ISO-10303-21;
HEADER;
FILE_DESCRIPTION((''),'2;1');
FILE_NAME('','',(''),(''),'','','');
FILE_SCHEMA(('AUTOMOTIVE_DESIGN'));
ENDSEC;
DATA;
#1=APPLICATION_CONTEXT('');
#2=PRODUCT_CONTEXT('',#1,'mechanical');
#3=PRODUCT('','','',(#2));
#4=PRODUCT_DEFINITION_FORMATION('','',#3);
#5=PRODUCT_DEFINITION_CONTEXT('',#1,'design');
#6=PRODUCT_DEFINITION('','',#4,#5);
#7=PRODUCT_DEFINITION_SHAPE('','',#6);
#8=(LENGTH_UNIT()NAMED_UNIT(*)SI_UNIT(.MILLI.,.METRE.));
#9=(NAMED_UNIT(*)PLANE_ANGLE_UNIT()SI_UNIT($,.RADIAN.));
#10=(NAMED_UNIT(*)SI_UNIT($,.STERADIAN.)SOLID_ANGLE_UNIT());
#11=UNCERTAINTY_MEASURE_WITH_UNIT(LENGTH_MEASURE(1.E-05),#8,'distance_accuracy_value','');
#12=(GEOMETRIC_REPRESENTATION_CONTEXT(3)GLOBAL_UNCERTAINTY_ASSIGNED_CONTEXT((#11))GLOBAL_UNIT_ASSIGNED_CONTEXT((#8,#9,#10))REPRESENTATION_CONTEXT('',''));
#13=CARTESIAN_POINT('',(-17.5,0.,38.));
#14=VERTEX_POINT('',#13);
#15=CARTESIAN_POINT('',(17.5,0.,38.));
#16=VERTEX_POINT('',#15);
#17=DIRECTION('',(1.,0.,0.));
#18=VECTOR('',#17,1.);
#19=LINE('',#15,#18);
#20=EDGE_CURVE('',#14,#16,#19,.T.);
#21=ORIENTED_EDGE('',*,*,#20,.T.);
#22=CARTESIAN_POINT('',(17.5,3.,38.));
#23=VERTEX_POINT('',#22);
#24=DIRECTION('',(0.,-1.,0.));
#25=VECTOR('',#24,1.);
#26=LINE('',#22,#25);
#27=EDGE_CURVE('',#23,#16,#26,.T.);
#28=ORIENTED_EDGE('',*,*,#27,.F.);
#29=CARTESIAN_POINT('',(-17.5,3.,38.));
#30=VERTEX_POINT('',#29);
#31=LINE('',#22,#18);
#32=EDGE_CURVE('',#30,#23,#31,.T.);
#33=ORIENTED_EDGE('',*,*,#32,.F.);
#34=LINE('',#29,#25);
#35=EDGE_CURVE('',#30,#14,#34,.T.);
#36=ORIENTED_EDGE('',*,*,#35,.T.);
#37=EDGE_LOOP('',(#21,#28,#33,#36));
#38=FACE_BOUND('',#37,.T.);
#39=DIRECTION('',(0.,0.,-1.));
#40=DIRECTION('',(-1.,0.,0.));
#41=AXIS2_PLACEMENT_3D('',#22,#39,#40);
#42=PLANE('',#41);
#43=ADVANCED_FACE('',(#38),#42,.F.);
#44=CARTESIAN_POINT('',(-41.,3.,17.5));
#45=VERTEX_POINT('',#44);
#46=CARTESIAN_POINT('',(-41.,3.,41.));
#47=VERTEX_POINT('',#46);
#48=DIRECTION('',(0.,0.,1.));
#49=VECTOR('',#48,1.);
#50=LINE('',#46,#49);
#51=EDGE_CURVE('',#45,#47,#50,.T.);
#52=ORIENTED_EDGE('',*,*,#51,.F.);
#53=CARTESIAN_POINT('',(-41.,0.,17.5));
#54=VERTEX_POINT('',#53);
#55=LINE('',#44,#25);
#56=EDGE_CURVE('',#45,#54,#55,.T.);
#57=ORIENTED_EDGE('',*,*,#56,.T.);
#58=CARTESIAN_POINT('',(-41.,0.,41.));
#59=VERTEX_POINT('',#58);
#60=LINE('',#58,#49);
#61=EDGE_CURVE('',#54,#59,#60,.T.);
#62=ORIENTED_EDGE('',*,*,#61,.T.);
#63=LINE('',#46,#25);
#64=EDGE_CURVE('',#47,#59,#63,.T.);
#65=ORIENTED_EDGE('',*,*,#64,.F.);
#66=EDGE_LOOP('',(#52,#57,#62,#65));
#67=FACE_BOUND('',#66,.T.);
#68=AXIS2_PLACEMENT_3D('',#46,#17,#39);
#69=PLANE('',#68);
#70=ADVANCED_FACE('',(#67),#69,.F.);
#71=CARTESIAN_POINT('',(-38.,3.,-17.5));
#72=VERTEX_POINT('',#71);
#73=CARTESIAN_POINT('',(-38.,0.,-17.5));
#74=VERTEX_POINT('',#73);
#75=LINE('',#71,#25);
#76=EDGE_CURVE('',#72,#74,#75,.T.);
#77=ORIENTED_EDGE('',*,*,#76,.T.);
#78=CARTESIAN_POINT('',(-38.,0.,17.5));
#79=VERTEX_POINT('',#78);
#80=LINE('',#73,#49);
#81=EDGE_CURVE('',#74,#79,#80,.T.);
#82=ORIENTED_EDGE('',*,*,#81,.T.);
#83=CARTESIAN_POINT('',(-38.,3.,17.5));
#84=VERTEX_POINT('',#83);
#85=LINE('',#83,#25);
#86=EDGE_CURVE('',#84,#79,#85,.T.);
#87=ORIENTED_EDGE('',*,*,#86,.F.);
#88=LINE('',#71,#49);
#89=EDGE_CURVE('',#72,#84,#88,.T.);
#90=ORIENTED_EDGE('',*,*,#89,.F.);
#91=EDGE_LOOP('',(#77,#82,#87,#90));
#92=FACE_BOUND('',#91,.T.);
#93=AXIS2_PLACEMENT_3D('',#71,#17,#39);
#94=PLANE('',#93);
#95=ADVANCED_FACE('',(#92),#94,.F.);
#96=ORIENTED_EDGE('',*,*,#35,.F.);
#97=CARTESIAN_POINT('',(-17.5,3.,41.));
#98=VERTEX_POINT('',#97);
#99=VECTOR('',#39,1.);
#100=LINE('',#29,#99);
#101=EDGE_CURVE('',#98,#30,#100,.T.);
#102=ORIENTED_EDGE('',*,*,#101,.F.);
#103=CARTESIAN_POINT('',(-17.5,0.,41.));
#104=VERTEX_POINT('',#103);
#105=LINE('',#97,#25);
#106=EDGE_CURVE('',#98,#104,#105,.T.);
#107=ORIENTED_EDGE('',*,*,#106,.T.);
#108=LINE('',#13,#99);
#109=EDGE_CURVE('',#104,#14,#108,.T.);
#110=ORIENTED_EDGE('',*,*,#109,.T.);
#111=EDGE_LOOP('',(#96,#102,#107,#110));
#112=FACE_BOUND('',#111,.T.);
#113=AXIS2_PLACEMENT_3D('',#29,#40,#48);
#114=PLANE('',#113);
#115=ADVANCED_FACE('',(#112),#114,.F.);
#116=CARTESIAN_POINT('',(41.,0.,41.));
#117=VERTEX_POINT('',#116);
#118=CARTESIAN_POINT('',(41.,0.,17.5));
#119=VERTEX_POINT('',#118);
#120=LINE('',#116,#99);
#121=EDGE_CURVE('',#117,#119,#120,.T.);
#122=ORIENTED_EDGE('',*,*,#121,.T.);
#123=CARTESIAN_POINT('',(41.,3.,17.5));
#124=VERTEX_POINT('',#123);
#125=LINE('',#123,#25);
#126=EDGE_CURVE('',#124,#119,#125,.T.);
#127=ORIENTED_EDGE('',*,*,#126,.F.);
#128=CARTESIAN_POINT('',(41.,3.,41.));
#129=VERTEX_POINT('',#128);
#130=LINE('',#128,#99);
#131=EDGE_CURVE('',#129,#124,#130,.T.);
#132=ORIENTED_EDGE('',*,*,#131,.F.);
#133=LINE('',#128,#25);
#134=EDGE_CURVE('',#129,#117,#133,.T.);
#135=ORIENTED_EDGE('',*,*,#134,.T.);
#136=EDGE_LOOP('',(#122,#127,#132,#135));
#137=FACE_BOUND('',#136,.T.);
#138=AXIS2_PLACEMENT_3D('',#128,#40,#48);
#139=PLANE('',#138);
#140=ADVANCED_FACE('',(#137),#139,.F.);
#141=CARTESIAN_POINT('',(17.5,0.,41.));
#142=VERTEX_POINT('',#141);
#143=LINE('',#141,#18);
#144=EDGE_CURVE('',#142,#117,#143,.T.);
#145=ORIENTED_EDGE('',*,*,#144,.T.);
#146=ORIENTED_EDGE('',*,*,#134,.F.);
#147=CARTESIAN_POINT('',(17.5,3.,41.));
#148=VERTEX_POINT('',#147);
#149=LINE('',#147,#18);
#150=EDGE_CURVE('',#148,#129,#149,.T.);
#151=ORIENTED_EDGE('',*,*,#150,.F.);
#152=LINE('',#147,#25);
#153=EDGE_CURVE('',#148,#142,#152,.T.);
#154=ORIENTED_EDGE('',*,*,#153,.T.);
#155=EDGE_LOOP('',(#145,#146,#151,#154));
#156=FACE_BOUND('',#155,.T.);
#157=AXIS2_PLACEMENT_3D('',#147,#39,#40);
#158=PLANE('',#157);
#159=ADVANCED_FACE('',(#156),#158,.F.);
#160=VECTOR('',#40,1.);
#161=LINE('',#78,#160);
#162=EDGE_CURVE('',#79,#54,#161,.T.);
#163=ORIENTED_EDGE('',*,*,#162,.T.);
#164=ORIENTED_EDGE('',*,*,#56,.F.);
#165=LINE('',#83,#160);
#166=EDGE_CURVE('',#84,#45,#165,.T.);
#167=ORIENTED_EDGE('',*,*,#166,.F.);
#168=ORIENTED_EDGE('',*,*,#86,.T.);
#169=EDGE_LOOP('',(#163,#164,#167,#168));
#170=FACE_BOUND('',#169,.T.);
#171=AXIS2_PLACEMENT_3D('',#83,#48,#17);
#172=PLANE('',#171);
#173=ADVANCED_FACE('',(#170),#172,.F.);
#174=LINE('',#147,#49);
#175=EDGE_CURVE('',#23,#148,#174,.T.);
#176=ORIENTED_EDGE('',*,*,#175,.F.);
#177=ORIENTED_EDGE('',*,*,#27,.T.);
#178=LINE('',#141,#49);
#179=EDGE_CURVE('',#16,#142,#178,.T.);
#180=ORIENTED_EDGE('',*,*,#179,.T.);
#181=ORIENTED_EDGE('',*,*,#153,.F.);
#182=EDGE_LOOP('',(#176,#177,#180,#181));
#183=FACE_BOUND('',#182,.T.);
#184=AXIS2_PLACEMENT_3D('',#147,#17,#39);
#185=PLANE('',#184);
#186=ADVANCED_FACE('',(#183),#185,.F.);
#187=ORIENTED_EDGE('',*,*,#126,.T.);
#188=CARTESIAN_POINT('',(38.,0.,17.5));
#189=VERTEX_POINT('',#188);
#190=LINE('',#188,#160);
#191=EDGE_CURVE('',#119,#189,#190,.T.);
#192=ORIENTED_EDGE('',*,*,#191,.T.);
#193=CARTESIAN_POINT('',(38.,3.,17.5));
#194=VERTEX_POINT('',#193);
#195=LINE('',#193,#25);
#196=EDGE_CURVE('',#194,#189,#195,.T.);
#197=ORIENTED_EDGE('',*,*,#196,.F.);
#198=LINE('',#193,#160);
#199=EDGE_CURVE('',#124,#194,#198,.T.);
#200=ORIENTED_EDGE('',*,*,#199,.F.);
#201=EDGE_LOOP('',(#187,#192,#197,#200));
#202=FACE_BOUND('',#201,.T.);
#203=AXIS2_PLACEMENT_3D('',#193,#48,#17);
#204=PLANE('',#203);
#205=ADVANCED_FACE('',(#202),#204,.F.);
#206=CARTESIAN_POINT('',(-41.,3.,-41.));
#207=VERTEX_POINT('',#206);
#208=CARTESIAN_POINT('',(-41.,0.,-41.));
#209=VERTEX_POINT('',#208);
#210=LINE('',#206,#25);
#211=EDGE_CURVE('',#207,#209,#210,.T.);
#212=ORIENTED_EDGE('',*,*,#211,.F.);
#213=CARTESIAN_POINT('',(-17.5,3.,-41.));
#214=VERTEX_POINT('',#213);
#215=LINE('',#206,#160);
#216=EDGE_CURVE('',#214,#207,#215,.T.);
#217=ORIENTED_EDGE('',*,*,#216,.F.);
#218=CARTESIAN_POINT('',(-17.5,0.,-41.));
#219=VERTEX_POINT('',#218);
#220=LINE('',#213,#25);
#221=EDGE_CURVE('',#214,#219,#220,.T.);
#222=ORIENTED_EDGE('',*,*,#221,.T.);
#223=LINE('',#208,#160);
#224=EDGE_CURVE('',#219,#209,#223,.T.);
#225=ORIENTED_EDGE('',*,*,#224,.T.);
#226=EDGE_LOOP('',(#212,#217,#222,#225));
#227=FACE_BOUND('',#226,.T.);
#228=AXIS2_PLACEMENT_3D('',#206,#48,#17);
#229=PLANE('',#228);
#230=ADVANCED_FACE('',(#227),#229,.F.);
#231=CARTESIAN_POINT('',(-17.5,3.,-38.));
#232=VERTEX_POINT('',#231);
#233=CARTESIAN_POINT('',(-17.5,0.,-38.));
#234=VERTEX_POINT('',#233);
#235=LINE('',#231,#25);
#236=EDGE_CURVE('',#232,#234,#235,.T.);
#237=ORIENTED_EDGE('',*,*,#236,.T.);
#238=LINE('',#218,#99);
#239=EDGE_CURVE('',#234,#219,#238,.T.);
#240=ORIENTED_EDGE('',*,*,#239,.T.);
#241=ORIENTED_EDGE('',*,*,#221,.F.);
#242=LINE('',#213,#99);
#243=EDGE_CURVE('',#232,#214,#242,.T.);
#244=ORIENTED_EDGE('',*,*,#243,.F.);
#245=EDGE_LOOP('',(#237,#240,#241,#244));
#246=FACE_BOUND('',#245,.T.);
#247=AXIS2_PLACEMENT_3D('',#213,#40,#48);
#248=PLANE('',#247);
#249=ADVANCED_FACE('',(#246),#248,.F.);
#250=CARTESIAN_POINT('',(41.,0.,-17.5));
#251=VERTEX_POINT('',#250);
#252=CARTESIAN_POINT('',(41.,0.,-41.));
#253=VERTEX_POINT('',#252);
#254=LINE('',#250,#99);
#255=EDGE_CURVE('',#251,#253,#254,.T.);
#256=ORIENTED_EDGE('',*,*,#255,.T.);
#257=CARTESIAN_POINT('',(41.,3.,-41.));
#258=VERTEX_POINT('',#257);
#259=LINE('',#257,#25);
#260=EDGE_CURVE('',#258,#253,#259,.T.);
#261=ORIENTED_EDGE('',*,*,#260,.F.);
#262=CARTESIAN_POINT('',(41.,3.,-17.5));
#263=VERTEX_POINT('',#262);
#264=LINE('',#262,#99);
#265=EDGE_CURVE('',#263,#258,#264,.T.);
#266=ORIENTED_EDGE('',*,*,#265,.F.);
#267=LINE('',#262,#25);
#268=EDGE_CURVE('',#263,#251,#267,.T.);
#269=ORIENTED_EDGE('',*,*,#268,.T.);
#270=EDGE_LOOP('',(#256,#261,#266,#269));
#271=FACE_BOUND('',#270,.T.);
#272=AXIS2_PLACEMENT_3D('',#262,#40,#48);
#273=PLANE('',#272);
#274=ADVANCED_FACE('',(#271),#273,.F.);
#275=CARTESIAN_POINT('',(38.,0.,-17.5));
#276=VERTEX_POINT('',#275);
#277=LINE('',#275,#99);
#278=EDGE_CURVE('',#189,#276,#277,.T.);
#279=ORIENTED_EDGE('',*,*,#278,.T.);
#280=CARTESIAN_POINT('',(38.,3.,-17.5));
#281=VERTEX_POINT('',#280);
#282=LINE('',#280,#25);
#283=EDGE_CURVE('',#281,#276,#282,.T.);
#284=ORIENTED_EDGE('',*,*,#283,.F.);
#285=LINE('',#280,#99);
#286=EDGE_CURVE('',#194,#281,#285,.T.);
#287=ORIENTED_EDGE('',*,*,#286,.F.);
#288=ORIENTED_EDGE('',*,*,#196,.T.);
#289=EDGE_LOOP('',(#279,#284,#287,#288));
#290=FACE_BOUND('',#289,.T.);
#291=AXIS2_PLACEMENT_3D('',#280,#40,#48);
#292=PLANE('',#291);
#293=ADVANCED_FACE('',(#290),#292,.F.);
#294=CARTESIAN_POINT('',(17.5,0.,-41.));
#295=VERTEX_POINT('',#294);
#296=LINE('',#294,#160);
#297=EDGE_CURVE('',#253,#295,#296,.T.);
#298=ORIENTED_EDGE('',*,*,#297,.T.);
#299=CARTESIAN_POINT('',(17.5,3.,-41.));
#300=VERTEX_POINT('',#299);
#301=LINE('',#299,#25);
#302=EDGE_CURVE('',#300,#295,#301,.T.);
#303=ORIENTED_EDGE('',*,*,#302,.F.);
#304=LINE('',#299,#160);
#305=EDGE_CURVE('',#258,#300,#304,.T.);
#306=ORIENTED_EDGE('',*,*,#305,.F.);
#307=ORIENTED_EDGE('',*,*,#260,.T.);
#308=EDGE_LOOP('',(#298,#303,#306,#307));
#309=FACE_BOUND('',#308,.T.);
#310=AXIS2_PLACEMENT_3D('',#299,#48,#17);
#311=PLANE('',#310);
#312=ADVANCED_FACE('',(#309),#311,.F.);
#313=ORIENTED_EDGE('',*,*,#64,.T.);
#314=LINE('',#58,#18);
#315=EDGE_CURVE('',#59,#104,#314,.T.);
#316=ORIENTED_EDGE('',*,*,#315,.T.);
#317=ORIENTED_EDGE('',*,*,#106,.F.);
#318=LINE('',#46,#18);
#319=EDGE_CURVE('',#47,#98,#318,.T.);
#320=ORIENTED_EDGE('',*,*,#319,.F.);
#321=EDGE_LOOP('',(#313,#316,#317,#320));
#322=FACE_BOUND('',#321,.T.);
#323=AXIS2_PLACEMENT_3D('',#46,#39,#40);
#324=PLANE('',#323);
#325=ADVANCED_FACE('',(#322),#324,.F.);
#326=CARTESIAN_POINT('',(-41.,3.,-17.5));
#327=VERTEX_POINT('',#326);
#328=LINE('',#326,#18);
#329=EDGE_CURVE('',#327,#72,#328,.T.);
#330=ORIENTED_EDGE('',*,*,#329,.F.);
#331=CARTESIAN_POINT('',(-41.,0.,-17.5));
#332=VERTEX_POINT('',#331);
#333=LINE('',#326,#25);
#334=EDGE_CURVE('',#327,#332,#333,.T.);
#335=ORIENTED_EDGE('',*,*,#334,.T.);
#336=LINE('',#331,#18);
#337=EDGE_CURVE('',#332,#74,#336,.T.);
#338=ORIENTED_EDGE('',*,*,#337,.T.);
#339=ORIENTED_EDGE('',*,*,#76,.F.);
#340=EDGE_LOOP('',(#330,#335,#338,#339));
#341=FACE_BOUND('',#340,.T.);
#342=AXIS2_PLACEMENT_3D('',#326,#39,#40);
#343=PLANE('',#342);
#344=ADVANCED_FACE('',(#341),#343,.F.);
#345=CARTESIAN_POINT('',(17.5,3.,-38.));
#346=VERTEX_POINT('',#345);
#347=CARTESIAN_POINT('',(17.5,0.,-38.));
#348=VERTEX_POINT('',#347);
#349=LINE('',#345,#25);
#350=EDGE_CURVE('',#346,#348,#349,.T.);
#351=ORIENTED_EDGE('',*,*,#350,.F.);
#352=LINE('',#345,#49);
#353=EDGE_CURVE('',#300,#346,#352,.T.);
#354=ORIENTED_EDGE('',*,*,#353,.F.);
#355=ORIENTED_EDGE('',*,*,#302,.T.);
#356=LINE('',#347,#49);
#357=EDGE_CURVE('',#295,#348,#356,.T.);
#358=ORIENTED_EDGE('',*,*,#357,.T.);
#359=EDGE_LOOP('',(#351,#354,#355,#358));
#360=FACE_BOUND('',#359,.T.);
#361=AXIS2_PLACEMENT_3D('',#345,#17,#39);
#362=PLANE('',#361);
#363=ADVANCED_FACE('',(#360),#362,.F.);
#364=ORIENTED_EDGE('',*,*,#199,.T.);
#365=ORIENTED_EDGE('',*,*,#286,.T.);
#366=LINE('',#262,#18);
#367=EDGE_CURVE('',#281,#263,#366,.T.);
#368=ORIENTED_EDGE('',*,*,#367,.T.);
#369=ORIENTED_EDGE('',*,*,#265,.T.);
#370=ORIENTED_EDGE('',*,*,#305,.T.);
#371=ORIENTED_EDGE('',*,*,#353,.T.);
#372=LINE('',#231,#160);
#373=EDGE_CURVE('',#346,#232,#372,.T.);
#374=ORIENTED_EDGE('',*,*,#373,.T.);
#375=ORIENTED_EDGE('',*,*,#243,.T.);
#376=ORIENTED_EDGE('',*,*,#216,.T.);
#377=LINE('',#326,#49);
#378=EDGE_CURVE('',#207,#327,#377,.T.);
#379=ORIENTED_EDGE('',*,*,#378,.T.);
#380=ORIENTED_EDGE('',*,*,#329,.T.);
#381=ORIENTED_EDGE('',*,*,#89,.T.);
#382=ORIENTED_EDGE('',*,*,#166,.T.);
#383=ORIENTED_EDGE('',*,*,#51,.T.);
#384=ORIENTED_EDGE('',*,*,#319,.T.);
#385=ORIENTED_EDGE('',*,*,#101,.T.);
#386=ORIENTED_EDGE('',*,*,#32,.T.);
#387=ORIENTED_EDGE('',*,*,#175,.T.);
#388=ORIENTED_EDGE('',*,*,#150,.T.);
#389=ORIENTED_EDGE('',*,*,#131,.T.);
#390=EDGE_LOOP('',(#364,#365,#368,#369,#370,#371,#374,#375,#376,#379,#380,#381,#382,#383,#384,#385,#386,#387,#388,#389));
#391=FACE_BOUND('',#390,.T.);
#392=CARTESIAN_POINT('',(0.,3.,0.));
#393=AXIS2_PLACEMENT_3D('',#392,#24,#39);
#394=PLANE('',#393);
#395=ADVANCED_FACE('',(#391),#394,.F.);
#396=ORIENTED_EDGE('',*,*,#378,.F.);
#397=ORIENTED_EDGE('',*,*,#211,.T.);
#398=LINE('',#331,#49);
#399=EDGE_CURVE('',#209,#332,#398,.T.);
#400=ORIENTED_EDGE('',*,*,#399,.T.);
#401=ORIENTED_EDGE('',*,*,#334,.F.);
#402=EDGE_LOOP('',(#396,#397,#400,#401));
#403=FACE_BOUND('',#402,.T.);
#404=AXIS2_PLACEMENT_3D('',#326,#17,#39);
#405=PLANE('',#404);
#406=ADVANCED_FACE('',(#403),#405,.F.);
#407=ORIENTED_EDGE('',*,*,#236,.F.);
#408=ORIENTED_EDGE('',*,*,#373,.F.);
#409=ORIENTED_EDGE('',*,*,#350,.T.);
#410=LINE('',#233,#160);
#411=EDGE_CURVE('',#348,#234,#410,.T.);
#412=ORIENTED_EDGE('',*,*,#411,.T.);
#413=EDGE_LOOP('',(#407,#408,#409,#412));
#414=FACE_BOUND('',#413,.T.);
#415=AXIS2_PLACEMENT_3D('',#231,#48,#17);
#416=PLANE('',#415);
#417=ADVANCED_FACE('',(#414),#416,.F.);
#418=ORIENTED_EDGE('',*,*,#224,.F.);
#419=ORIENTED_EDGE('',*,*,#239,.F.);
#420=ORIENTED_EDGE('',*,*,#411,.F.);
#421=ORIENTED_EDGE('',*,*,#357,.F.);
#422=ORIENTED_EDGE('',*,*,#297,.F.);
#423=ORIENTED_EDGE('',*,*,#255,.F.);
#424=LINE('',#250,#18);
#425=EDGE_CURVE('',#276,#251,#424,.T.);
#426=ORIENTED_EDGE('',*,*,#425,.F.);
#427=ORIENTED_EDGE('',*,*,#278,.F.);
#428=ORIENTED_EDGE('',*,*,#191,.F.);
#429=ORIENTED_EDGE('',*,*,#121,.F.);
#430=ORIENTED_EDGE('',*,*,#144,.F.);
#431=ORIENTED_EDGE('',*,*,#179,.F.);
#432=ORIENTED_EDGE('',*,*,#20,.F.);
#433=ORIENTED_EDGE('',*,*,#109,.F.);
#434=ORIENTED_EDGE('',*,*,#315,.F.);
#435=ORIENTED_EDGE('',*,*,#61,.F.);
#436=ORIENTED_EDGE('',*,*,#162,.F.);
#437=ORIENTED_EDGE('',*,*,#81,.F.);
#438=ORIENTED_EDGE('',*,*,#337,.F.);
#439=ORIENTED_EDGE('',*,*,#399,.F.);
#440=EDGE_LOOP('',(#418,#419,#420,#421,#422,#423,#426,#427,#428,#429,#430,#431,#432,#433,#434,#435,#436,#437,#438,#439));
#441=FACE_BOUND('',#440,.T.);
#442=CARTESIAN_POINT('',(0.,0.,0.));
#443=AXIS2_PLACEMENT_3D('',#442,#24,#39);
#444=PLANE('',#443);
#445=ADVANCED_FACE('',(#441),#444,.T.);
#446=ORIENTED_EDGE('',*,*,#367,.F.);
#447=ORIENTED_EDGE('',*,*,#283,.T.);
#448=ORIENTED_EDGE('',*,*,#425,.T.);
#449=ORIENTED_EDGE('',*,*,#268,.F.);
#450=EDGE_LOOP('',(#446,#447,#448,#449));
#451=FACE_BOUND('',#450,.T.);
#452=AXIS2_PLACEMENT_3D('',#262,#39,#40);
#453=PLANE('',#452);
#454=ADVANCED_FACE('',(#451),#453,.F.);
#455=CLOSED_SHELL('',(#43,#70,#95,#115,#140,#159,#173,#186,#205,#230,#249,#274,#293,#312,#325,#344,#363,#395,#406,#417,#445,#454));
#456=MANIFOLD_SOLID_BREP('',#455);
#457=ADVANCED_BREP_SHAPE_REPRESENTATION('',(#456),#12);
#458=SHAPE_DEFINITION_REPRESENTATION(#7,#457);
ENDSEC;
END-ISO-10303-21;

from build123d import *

# Parameters (mm, degrees)
BOSS_EXTRUDE1_DEPTH = 3


with BuildPart() as part:
    # Sketch1 → Boss-Extrude1 (new body)
    with BuildSketch(Plane(origin=(0, 0, 0), x_dir=(1, 0, 0), z_dir=(0, 1, 0))):
        Polygon((-41, -41), (-17.5, -41), (-17.5, -38), (17.5, -38), (17.5, -41), (41, -41), (41, -17.5), (38, -17.5), (38, 17.5), (41, 17.5), (41, 41), (17.5, 41), (17.5, 38), (-17.5, 38), (-17.5, 41), (-41, 41), (-41, 17.5), (-38, 17.5), (-38, -17.5), (-41, -17.5), align=None)
    extrude(amount=BOSS_EXTRUDE1_DEPTH)


solid = part.part
